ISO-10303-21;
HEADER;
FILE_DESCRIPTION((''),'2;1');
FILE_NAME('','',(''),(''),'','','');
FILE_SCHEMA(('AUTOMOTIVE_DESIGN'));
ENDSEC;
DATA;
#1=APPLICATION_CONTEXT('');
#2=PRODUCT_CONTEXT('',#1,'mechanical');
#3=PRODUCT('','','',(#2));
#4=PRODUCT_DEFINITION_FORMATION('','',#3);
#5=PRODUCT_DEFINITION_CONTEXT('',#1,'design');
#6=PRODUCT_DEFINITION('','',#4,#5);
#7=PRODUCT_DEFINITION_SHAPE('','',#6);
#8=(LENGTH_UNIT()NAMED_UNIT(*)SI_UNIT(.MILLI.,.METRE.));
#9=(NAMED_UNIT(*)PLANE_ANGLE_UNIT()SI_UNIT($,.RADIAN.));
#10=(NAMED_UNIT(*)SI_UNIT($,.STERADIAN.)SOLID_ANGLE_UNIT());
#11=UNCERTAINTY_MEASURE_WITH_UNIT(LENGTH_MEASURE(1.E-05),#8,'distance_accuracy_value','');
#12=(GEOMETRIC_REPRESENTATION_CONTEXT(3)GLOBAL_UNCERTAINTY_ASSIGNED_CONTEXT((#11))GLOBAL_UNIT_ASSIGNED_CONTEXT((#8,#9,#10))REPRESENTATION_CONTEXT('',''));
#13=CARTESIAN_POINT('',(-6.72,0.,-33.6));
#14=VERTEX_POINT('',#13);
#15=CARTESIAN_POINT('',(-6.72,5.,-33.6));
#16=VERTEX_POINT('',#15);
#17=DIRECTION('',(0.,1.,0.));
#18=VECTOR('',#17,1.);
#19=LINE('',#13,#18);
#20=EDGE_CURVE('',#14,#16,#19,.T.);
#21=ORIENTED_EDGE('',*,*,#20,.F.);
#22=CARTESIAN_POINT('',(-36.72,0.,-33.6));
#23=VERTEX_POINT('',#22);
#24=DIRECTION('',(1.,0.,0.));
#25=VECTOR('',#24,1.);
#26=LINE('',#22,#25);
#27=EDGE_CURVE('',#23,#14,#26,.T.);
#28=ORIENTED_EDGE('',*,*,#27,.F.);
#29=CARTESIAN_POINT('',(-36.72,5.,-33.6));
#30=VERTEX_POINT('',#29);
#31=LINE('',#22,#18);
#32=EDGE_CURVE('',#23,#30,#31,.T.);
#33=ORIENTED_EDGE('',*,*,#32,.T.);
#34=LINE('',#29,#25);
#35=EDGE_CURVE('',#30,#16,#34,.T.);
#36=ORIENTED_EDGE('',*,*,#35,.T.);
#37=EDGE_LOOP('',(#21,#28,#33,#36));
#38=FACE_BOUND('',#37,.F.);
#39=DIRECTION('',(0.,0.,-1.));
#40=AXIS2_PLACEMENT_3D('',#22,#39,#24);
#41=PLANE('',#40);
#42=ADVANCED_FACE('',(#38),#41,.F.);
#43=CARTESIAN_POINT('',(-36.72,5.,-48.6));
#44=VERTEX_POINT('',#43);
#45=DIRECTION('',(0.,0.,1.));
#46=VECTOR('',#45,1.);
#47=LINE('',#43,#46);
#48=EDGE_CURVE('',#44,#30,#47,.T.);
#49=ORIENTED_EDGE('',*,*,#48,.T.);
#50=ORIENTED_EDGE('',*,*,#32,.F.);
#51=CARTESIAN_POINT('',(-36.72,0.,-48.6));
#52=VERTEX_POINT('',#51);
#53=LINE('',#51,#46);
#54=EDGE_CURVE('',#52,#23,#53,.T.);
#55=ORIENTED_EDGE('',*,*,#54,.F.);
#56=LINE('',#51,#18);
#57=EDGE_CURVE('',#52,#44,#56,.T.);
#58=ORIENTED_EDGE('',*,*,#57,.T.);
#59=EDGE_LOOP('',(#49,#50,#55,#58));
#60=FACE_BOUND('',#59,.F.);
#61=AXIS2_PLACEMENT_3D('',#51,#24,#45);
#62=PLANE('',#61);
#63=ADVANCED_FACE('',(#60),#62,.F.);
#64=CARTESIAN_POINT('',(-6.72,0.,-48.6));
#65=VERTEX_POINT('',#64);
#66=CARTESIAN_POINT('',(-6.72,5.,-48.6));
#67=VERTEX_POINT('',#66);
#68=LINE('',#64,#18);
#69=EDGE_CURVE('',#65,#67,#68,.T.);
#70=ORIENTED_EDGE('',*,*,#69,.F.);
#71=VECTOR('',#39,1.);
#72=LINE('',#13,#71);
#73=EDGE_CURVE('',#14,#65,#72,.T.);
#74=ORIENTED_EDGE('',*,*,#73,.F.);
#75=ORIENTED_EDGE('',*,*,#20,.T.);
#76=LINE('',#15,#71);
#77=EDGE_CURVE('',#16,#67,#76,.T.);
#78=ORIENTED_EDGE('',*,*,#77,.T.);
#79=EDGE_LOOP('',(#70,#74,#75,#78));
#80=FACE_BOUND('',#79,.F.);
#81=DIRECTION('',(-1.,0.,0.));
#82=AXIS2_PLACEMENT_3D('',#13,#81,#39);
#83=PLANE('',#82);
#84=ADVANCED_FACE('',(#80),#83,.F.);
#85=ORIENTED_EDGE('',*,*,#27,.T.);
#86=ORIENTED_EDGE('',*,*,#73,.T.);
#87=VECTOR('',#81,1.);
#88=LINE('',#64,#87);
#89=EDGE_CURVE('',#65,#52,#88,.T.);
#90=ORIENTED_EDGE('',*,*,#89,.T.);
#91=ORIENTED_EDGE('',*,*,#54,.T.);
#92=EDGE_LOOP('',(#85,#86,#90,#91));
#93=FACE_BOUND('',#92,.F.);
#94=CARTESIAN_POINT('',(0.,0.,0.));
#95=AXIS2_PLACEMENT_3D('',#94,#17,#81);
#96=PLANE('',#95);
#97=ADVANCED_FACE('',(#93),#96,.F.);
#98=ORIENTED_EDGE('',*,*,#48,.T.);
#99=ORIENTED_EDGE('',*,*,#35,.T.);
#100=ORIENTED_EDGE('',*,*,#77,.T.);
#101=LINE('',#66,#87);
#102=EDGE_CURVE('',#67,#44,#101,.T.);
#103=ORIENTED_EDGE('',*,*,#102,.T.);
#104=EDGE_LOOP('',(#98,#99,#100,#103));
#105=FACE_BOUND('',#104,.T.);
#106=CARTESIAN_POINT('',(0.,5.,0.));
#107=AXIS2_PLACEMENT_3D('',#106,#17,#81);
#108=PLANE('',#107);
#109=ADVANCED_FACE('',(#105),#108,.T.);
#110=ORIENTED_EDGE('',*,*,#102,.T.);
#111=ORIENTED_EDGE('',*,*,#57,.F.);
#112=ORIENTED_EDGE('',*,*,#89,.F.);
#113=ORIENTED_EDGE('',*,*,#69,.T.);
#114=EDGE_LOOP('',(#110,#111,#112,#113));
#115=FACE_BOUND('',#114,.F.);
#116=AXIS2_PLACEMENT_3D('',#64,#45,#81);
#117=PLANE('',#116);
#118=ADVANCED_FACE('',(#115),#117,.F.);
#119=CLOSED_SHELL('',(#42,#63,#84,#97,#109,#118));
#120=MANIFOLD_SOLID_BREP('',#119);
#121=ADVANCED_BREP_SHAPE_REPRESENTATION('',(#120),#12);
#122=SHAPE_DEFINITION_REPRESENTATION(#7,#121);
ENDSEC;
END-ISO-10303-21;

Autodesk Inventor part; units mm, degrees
ref_plane "YZ Plane" through (0, 0, 0) normal (1, 0, 0) x (0, 1, 0)
ref_plane "XZ Plane" through (0, 0, 0) normal (0, 1, 0) x (-1, 0, 0)
ref_plane "XY Plane" through (0, 0, 0) normal (0, 0, 1) x (1, 0, 0)
sketch "Skizze1" plane through (0, 0, 0) normal (0, 1, 0) x (-1, 0, 0)
  line L0 (36.72, -33.6) -> (6.72, -33.6)
  line L1 (6.72, -33.6) -> (6.72, -48.6)
  line L2 (6.72, -48.6) -> (36.72, -48.6)
  line L3 (36.72, -48.6) -> (36.72, -33.6)
  point P0 (0, 0)
  dimension "d0" = 30
  dimension "d1" = 15
extrude "Extrusion1" add sketch "Skizze1" along normal blind 5
properties part number "Wifi-Board"
